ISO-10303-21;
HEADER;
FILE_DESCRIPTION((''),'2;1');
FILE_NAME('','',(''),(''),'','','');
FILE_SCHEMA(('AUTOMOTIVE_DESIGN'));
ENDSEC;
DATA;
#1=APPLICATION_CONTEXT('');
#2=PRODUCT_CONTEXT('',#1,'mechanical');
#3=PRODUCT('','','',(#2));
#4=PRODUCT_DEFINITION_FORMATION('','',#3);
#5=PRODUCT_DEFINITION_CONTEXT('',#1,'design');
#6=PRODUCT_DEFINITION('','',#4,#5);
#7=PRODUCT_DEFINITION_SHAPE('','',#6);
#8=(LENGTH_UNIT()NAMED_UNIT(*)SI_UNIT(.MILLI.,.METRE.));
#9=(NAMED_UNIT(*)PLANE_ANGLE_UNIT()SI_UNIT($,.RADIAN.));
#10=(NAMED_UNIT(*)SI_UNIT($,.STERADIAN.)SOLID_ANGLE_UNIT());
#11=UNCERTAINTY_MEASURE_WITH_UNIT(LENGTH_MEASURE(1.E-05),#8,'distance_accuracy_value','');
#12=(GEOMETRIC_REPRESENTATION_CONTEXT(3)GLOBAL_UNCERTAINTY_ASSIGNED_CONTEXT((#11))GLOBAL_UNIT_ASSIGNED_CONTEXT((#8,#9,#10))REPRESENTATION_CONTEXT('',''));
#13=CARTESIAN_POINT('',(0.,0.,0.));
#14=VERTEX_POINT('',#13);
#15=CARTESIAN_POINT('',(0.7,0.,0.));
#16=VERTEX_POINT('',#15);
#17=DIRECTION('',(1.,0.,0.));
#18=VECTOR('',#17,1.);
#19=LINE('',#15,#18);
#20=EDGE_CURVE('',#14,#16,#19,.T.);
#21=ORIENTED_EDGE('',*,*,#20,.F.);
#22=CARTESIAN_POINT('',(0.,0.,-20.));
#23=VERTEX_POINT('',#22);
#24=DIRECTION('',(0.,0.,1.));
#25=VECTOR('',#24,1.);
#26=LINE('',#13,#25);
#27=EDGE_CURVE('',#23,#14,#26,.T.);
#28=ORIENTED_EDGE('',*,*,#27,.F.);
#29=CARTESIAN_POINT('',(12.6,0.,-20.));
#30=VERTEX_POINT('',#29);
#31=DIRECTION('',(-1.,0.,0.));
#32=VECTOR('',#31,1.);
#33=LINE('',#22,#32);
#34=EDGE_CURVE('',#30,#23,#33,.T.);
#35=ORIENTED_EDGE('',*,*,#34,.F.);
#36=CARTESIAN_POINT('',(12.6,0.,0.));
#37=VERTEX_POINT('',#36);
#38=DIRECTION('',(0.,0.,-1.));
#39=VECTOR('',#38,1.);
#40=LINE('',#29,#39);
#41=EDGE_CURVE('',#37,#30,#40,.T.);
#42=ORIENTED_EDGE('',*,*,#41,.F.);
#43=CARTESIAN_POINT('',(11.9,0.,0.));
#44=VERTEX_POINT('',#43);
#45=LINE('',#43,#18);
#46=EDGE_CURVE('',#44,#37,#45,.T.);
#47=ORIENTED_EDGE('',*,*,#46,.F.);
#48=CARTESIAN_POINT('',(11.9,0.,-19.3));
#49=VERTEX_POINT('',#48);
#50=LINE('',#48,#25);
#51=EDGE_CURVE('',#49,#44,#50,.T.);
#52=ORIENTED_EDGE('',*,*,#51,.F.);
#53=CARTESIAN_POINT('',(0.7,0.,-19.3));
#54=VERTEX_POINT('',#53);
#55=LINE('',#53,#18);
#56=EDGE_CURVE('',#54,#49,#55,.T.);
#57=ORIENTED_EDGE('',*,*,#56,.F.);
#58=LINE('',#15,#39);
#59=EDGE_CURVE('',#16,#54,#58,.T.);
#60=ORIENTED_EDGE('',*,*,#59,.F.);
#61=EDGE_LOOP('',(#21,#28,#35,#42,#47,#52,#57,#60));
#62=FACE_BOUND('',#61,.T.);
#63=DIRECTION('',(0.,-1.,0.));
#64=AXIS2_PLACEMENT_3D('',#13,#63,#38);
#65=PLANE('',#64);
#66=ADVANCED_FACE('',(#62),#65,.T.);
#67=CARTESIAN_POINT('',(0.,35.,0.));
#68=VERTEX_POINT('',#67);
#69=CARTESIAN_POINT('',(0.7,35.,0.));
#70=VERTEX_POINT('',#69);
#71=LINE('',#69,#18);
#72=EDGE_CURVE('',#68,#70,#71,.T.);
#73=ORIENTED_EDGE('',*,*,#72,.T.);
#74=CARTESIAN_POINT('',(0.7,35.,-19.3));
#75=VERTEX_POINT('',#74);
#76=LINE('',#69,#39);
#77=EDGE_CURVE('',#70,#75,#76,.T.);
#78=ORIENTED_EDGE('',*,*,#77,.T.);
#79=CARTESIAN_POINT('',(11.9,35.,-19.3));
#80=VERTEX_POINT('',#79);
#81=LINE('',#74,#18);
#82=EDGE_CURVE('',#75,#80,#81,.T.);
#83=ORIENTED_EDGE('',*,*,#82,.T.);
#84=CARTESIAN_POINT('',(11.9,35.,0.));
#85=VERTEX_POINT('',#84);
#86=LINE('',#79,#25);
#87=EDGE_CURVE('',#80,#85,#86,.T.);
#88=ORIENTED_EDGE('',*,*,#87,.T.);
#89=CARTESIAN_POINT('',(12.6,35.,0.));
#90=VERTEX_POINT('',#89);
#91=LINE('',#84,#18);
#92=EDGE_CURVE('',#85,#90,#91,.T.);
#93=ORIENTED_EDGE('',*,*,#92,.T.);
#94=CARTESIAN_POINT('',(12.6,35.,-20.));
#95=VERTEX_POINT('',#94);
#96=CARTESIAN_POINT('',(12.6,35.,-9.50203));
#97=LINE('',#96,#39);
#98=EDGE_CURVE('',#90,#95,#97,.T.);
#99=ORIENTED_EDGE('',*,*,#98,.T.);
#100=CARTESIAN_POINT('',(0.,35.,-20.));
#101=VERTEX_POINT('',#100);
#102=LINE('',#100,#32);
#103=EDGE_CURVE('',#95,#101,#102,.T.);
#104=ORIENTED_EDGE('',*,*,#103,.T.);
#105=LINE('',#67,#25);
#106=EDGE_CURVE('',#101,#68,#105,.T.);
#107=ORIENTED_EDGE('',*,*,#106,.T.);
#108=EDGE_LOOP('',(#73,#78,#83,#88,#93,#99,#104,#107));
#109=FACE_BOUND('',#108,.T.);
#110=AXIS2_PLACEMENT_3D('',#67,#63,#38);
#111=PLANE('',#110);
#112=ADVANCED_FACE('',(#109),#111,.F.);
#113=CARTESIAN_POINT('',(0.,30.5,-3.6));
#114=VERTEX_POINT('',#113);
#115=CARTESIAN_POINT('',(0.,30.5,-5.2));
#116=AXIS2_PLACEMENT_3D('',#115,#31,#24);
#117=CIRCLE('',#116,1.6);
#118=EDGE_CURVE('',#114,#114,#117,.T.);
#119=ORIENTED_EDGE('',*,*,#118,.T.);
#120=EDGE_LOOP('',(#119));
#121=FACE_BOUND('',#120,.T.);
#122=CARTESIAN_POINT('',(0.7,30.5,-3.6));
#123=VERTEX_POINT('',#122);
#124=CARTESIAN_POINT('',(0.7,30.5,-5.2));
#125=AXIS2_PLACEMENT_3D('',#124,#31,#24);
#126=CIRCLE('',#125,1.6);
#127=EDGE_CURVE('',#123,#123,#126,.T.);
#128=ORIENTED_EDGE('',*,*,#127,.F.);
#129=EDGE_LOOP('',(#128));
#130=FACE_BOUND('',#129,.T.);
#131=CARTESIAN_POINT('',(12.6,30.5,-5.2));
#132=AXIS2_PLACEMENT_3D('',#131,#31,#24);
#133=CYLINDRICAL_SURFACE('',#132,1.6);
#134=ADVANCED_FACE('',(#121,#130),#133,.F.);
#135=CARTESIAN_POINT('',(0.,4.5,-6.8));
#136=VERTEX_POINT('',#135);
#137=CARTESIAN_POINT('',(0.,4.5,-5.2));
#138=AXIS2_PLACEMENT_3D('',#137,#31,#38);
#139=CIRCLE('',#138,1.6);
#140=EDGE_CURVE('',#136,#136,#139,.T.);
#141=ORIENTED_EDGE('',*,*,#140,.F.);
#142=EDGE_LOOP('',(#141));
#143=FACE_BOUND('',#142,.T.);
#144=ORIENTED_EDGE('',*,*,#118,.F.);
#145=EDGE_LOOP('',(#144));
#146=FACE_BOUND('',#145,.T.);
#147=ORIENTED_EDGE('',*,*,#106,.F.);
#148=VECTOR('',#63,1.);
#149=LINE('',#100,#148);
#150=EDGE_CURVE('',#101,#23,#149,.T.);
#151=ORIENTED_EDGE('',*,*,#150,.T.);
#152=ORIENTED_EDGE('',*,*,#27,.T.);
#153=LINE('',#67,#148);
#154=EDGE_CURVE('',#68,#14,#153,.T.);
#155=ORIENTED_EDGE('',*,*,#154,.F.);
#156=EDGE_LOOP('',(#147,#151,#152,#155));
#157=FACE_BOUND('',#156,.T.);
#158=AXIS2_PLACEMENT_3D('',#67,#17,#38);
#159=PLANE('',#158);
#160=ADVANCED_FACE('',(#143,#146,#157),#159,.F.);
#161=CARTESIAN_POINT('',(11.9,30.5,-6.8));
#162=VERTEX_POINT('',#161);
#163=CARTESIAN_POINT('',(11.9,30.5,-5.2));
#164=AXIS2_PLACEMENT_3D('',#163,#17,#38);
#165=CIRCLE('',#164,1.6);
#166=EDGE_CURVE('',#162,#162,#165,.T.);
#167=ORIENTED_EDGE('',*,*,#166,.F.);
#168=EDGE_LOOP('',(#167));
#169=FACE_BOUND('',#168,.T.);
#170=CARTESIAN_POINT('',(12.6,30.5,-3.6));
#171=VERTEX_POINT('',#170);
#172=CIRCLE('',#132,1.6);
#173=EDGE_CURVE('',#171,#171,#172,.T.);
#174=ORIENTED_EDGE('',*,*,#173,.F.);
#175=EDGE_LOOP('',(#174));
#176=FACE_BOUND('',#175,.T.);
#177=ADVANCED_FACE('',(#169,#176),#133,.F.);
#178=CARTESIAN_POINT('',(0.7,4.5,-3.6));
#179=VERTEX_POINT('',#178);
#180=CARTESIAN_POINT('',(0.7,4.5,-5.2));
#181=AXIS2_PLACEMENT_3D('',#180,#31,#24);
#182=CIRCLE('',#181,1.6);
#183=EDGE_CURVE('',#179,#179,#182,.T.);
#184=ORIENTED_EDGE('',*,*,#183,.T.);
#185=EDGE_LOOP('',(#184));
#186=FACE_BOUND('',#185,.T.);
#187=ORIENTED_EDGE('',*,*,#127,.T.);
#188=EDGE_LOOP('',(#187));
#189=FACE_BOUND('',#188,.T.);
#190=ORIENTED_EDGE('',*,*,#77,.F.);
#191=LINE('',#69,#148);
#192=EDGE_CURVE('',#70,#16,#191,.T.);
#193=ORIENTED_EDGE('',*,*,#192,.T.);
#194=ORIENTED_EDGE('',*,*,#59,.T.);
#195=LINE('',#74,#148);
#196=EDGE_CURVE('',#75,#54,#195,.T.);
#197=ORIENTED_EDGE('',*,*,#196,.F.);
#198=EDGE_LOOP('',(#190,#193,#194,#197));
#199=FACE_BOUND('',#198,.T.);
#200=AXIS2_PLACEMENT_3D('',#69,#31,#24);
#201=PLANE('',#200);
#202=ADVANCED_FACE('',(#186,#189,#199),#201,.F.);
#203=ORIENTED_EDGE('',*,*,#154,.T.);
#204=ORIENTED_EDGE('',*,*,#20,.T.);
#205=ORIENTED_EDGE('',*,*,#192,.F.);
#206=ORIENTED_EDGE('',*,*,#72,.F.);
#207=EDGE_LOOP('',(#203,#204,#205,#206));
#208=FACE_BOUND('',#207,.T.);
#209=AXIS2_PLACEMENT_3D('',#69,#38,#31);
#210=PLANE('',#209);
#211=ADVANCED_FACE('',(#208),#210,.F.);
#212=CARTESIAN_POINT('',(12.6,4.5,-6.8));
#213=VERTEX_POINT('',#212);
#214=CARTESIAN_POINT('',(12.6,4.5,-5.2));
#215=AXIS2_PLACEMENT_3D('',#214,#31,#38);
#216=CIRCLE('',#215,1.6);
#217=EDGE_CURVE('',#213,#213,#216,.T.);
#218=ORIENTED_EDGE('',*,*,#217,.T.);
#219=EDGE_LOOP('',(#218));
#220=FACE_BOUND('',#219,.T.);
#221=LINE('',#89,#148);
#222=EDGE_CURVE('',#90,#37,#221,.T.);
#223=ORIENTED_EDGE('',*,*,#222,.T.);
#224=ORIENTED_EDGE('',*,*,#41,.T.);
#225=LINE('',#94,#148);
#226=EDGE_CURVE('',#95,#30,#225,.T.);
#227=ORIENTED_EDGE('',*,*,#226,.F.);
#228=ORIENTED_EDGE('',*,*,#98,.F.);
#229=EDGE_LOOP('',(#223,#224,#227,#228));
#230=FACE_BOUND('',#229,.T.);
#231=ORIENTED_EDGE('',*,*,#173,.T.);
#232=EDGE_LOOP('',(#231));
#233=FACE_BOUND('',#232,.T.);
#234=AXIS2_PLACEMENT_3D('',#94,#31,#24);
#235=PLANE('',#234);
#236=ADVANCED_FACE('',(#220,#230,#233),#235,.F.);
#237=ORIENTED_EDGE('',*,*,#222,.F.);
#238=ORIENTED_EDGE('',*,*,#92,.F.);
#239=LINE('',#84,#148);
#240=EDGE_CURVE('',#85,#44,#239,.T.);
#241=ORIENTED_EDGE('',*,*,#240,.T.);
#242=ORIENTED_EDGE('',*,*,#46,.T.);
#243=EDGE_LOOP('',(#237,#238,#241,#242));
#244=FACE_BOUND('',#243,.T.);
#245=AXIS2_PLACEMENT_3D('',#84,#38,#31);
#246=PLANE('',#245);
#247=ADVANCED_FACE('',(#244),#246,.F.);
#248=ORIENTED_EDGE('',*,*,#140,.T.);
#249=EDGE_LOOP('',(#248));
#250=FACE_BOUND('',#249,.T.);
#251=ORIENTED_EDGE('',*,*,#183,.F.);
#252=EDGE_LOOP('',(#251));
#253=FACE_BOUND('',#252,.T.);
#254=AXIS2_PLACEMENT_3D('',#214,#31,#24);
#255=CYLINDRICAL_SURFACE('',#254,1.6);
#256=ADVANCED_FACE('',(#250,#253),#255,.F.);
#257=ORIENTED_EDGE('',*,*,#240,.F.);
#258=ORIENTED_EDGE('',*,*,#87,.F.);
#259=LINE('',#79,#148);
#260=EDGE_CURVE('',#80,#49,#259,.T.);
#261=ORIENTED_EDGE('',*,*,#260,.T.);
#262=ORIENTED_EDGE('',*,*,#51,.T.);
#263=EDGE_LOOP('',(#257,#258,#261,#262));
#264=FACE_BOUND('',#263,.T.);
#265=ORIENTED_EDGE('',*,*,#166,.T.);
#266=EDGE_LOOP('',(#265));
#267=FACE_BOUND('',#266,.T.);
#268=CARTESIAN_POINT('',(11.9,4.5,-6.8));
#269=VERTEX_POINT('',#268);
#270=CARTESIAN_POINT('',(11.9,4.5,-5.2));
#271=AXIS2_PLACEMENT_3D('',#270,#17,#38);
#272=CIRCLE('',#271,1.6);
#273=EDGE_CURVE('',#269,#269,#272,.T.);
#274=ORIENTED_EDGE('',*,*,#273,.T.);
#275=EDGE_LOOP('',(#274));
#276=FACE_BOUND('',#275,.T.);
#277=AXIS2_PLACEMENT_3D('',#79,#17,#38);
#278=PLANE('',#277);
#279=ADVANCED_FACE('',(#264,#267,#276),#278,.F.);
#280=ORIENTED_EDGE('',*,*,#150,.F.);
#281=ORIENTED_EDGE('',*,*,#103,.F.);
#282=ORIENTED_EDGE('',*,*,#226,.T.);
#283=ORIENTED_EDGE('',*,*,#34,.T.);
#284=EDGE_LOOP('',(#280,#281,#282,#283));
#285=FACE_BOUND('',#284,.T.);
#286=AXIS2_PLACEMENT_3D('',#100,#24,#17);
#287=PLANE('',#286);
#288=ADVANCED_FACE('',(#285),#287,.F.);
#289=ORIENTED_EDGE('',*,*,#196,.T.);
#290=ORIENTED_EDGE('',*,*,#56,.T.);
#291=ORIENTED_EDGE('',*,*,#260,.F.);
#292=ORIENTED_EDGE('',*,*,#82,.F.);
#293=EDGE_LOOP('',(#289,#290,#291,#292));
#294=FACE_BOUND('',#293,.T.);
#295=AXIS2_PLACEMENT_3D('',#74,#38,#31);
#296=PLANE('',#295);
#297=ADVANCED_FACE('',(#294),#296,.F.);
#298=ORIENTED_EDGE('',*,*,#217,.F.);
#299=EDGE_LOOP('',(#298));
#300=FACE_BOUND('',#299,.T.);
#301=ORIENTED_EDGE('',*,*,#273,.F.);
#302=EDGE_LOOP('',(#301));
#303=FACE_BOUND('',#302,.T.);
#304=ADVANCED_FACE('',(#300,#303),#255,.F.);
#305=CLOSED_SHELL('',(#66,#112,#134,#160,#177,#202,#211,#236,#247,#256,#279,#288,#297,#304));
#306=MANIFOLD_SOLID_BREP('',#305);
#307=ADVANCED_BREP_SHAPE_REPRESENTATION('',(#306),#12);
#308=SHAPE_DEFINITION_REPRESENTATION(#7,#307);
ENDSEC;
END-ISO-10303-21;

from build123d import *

# Parameters (mm, degrees)
EXTRUDE_1_DEPTH     = 35
SKETCH_2_R          = 1.6
CUT_EXTRUDE_1_DEPTH = 43.234582986


with BuildPart() as part:
    # 草图1 → 凸台-拉伸1 (new body)
    with BuildSketch(Plane(origin=(0, 0, 0), x_dir=(1, 0, 0), z_dir=(0, 1, 0))):
        Polygon((0, 0), (0, 20), (12.6, 20), (12.6, 9.502030119), (12.6, 0), (11.9, 0), (11.9, 19.3), (0.7, 19.3), (0.7, 0), align=None)
    extrude(amount=EXTRUDE_1_DEPTH)

    # 草图2 → 切除-拉伸1 (cut, through all)
    with BuildSketch(Plane.ZY):
        with Locations((-5.2, 30.5)):
            Circle(SKETCH_2_R)
        with Locations((-5.2, 4.5)):
            Circle(SKETCH_2_R)
    extrude(amount=-CUT_EXTRUDE_1_DEPTH, mode=Mode.SUBTRACT)


solid = part.part
